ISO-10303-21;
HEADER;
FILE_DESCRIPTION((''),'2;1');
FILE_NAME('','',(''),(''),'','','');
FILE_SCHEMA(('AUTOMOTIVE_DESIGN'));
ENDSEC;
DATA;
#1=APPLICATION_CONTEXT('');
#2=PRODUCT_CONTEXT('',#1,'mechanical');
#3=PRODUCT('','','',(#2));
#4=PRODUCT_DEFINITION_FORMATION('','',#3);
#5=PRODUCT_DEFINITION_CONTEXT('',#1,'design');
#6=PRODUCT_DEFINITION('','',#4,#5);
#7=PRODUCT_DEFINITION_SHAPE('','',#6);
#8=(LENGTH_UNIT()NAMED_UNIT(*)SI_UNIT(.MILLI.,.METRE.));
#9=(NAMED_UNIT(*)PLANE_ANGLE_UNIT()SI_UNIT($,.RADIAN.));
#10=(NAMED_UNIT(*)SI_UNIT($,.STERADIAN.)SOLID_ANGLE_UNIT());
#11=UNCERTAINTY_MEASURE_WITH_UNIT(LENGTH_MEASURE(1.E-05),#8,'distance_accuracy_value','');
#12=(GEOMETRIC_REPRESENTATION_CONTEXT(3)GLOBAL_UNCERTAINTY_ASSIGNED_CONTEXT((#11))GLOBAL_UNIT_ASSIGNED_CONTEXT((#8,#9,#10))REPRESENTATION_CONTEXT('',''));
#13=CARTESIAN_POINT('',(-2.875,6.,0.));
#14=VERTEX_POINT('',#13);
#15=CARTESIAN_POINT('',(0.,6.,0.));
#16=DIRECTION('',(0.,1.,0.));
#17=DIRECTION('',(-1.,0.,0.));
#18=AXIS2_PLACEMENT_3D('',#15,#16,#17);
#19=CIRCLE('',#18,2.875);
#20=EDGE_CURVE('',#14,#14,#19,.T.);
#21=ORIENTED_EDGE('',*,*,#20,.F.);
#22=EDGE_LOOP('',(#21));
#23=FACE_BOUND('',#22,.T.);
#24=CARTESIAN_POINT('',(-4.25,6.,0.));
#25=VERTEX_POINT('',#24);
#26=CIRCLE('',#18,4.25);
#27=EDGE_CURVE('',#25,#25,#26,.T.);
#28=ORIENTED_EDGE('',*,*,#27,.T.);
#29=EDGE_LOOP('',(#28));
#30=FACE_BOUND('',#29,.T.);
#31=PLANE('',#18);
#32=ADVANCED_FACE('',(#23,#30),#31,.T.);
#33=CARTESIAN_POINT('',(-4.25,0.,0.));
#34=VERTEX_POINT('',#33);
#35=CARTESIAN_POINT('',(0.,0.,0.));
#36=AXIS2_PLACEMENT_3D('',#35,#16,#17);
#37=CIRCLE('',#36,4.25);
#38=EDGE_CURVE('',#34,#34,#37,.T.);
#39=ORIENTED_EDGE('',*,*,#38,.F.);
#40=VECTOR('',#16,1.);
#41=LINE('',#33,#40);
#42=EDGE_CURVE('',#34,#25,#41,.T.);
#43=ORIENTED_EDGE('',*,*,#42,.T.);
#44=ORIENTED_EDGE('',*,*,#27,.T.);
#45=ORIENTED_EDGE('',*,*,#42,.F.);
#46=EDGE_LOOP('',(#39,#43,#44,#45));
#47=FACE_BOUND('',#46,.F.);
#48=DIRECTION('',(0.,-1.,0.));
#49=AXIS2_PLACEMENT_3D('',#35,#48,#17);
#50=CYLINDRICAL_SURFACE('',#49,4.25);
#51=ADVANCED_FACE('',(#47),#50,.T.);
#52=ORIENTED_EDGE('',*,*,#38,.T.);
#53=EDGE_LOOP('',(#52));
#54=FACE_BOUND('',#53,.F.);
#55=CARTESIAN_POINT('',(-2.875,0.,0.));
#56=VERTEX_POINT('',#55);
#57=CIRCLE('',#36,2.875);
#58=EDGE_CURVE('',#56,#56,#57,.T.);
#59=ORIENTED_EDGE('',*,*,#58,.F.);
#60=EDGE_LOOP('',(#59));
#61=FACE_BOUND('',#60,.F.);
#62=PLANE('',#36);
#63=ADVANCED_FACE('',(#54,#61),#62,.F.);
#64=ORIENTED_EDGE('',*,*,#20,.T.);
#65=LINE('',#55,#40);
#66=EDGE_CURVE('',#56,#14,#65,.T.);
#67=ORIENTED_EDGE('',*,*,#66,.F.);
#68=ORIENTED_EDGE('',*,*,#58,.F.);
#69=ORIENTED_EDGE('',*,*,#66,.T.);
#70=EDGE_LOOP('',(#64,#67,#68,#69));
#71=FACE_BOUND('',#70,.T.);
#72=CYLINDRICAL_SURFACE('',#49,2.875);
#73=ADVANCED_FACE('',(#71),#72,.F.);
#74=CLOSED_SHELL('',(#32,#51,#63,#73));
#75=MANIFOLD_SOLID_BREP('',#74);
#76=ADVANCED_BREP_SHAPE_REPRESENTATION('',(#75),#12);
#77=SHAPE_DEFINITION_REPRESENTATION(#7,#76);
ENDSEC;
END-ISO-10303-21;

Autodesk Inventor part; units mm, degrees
ref_plane "YZ Plane" through (0, 0, 0) normal (1, 0, 0) x (0, 1, 0)
ref_plane "XZ Plane" through (0, 0, 0) normal (0, 1, 0) x (-1, 0, 0)
ref_plane "XY Plane" through (0, 0, 0) normal (0, 0, 1) x (1, 0, 0)
sketch "Sketch1" plane through (0, 0, 0) normal (0, 1, 0) x (-1, 0, 0)
  circle A0 centre (0, 0) radius 2.875
  line L0 (0, 0) -> (5.12, 0) construction
  circle A1 centre (0, 0) radius 4.25
  dimension "d0" = 5.75
  dimension "d3" = 8.5
extrude "Extrusion1" add sketch "Sketch1" along normal blind 6
properties part number "Sensor Cover 6mm"
